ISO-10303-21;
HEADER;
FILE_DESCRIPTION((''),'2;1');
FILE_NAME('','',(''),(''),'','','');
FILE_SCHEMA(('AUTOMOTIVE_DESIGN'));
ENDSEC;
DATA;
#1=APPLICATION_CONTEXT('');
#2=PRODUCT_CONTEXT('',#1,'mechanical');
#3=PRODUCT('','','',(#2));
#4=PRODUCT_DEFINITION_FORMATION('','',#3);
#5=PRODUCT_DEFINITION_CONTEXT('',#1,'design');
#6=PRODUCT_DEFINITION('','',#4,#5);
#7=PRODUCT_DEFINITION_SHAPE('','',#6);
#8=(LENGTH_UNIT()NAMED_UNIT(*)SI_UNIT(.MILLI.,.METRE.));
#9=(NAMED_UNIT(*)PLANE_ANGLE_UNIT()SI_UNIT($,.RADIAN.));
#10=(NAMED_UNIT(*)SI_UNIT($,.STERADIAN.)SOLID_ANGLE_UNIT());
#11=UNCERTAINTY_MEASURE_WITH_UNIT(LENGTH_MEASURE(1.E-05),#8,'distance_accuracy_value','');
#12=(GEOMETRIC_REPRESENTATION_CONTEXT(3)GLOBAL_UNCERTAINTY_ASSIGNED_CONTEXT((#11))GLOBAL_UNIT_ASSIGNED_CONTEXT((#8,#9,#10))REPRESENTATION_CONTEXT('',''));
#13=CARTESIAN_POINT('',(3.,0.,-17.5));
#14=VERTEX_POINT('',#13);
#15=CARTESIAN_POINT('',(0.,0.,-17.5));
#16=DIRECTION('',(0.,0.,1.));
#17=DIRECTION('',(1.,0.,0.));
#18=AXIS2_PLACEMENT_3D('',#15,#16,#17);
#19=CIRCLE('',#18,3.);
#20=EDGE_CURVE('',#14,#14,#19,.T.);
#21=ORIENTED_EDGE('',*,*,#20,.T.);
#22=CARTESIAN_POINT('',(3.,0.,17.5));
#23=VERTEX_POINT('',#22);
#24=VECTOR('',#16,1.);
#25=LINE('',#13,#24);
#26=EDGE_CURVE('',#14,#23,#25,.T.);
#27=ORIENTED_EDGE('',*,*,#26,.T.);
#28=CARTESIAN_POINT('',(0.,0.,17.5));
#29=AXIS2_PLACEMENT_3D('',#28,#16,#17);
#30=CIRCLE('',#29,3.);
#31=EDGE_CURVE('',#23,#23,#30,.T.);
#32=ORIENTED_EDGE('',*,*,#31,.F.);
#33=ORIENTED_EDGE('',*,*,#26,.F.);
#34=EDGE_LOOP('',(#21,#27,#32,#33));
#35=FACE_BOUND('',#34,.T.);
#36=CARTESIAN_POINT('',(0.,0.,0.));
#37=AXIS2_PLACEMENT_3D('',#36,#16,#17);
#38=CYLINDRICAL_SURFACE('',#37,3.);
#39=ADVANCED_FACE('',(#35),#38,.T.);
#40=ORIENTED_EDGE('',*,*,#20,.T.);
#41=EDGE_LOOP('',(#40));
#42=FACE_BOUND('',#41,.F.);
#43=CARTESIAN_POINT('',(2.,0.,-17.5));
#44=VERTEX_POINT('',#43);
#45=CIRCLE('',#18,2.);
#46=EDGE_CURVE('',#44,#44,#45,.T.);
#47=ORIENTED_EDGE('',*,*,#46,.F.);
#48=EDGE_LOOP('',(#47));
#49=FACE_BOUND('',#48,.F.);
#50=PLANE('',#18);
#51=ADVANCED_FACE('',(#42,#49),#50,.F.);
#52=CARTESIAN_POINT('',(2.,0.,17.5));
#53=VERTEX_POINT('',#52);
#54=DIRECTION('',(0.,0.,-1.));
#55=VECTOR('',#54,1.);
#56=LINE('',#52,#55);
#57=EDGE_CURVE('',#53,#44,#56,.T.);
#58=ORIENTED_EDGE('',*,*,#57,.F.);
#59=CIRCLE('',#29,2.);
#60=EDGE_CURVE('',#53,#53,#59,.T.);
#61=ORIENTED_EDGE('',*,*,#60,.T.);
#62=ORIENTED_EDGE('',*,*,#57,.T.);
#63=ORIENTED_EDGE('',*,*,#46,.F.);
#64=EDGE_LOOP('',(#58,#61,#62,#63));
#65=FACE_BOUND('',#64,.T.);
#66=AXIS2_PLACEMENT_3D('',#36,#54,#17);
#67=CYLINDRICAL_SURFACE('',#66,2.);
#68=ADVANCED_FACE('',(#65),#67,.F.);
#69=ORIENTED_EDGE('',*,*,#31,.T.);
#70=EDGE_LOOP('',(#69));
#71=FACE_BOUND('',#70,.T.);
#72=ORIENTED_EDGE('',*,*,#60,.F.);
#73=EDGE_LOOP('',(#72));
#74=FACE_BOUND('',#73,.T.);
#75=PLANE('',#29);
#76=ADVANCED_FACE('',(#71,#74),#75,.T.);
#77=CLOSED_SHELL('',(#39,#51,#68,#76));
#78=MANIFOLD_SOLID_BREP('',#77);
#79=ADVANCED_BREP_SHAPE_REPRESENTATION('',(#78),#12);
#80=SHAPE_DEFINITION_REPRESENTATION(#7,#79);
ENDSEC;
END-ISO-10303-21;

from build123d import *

# Parameters (mm, degrees)
SKETCH_1_R      = 3
SKETCH_1_R_2    = 2
EXTRUDE_1_DEPTH = 17.5


with BuildPart() as part:
    # 草图1 → 凸台-拉伸1 (new body, symmetric)
    with BuildSketch(Plane.XY):
        Circle(SKETCH_1_R)
        Circle(SKETCH_1_R_2, mode=Mode.SUBTRACT)
    extrude(amount=EXTRUDE_1_DEPTH, both=True)


solid = part.part
